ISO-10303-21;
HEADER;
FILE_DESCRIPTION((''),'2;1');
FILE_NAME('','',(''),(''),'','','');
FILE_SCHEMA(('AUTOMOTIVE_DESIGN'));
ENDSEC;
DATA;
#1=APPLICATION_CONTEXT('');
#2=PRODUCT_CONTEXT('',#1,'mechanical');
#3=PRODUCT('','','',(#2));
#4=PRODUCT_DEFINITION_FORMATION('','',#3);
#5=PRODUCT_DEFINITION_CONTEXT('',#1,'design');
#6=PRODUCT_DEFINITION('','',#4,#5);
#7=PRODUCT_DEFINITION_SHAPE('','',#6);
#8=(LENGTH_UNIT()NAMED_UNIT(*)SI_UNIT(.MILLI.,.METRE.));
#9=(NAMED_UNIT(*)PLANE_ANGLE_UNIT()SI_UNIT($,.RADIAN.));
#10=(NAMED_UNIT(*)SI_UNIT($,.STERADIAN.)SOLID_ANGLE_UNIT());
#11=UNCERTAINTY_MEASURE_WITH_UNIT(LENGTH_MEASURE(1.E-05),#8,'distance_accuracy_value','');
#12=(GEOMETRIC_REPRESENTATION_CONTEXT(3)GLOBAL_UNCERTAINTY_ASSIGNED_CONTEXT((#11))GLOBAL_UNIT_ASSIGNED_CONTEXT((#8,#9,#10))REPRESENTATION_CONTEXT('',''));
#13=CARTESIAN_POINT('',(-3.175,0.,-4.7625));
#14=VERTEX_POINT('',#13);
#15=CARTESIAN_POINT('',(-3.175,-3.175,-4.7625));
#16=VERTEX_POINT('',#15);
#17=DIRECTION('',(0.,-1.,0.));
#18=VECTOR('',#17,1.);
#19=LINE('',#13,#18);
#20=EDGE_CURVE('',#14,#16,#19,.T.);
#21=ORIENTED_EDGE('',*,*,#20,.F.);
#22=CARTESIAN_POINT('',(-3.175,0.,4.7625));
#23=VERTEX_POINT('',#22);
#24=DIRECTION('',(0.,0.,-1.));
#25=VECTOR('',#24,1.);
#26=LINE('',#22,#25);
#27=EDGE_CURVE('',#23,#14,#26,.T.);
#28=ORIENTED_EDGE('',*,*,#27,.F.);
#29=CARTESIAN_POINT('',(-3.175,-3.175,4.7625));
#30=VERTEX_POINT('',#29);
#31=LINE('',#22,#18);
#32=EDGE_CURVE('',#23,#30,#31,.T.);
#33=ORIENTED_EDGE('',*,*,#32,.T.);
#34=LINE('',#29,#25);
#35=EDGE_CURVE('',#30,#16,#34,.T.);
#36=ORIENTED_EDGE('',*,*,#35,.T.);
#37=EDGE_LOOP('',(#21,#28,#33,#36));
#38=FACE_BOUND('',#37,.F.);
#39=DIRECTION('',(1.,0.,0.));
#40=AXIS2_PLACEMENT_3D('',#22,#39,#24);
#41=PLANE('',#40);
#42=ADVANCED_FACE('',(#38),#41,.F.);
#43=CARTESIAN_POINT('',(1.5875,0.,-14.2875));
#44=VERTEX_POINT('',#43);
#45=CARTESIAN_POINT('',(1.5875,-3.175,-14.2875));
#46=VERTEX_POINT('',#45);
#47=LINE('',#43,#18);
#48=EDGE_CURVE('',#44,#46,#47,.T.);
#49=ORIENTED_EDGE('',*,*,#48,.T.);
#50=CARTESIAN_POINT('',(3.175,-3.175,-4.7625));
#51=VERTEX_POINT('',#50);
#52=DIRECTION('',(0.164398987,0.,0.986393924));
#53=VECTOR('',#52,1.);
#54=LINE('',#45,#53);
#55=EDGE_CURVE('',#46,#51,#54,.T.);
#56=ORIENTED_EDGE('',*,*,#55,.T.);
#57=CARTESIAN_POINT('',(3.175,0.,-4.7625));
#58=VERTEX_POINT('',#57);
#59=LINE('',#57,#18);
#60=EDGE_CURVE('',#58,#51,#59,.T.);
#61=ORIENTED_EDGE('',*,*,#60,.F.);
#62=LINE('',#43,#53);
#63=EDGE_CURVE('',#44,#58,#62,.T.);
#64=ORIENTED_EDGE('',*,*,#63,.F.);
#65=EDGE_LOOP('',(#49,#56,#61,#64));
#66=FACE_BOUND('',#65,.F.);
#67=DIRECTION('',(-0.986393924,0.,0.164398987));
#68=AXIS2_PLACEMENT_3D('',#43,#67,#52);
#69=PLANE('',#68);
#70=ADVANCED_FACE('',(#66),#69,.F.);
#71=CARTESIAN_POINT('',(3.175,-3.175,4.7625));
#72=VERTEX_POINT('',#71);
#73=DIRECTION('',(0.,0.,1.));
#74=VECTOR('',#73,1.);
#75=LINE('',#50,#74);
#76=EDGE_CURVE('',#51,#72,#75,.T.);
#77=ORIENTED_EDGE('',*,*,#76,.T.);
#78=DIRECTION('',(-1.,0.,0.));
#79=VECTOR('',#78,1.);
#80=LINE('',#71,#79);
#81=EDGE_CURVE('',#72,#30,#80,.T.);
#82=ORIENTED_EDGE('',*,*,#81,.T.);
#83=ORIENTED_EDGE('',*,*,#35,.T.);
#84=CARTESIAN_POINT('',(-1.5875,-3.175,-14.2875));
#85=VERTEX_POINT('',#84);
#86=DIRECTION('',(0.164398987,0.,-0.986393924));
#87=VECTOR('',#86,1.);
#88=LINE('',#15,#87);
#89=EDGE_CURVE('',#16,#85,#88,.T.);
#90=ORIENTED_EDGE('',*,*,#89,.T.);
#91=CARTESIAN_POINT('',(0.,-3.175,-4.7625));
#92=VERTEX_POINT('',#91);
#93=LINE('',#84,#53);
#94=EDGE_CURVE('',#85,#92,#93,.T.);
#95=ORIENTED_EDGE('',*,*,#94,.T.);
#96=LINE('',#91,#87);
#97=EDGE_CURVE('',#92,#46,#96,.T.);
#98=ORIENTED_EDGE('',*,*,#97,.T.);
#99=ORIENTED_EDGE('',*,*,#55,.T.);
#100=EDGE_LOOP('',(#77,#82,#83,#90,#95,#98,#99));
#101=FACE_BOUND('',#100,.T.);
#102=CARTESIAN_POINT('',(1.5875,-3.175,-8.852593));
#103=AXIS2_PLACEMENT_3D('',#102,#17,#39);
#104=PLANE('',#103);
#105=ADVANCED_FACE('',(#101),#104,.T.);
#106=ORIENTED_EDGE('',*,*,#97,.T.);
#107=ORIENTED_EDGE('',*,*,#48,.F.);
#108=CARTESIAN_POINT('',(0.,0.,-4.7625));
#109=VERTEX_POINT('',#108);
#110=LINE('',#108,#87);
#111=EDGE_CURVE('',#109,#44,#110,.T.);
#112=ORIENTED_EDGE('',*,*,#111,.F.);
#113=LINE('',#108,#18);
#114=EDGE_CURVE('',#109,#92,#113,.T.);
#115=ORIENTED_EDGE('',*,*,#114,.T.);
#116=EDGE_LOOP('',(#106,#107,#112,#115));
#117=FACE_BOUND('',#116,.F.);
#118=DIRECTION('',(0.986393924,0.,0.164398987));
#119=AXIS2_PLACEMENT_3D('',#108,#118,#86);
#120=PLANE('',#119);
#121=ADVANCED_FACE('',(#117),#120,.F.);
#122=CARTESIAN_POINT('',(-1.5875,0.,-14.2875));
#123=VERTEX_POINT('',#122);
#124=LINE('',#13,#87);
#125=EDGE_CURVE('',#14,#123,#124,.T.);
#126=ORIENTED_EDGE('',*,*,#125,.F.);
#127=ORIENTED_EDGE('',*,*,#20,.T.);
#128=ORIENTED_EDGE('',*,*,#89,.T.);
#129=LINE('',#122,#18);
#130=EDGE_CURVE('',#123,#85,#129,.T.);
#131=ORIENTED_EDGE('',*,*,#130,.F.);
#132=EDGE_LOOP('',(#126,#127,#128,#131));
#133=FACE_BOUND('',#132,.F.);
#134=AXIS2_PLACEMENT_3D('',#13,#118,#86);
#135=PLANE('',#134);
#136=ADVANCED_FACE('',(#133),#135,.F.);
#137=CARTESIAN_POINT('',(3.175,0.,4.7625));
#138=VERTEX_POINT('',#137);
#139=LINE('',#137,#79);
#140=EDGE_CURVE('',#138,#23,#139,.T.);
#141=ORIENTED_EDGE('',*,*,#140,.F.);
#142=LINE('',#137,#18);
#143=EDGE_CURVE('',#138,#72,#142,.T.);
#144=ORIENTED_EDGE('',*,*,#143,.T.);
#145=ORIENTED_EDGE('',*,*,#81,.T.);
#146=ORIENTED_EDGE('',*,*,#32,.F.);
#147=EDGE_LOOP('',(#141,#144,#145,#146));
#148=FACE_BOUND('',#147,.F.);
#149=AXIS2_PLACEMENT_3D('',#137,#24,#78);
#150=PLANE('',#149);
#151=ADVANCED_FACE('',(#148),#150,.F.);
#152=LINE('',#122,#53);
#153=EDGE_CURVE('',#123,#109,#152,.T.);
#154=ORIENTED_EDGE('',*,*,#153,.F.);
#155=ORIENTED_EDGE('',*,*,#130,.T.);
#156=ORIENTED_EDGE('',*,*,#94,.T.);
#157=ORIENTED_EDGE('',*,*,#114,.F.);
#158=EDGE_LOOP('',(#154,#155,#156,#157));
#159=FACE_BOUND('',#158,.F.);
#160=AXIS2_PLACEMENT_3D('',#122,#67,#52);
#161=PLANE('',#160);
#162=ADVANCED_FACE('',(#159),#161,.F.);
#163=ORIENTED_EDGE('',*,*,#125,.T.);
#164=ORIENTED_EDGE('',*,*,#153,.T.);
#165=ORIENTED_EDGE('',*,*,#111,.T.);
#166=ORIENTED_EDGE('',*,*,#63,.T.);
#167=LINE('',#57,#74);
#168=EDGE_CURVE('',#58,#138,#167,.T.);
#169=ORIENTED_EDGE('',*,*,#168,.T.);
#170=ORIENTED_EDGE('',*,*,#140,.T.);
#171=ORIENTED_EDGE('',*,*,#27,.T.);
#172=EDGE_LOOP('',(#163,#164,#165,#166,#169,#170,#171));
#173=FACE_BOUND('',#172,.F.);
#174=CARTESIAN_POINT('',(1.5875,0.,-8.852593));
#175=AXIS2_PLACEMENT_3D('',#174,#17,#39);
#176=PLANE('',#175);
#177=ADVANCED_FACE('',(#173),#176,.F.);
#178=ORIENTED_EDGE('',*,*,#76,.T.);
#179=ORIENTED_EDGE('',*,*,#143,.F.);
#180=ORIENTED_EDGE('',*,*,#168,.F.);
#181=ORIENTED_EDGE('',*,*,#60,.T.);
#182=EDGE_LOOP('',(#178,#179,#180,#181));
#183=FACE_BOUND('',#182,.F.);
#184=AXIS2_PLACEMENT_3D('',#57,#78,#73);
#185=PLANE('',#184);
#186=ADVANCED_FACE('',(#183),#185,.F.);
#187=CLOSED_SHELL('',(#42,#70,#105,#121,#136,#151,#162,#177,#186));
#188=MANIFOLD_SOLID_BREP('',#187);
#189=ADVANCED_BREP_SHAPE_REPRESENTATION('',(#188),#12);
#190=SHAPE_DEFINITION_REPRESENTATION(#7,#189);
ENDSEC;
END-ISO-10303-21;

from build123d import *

# Parameters (mm, degrees)
F1_DEPTH = 3.175


with BuildPart() as f1:
    # F0 (on Front) → F1 (new body)
    with BuildSketch(Plane.XZ):
        Polygon((1.5875, -14.2875), (3.175, -4.7625), (0, -4.7625), align=None)
        Polygon((0, -4.7625), (3.175, -4.7625), (3.175, 4.7625), (-3.175, 4.7625), (-3.175, -4.7625), align=None)
        Polygon((-1.5875, -14.2875), (0, -4.7625), (-3.175, -4.7625), align=None)
    extrude(amount=F1_DEPTH)


solid = f1.part
